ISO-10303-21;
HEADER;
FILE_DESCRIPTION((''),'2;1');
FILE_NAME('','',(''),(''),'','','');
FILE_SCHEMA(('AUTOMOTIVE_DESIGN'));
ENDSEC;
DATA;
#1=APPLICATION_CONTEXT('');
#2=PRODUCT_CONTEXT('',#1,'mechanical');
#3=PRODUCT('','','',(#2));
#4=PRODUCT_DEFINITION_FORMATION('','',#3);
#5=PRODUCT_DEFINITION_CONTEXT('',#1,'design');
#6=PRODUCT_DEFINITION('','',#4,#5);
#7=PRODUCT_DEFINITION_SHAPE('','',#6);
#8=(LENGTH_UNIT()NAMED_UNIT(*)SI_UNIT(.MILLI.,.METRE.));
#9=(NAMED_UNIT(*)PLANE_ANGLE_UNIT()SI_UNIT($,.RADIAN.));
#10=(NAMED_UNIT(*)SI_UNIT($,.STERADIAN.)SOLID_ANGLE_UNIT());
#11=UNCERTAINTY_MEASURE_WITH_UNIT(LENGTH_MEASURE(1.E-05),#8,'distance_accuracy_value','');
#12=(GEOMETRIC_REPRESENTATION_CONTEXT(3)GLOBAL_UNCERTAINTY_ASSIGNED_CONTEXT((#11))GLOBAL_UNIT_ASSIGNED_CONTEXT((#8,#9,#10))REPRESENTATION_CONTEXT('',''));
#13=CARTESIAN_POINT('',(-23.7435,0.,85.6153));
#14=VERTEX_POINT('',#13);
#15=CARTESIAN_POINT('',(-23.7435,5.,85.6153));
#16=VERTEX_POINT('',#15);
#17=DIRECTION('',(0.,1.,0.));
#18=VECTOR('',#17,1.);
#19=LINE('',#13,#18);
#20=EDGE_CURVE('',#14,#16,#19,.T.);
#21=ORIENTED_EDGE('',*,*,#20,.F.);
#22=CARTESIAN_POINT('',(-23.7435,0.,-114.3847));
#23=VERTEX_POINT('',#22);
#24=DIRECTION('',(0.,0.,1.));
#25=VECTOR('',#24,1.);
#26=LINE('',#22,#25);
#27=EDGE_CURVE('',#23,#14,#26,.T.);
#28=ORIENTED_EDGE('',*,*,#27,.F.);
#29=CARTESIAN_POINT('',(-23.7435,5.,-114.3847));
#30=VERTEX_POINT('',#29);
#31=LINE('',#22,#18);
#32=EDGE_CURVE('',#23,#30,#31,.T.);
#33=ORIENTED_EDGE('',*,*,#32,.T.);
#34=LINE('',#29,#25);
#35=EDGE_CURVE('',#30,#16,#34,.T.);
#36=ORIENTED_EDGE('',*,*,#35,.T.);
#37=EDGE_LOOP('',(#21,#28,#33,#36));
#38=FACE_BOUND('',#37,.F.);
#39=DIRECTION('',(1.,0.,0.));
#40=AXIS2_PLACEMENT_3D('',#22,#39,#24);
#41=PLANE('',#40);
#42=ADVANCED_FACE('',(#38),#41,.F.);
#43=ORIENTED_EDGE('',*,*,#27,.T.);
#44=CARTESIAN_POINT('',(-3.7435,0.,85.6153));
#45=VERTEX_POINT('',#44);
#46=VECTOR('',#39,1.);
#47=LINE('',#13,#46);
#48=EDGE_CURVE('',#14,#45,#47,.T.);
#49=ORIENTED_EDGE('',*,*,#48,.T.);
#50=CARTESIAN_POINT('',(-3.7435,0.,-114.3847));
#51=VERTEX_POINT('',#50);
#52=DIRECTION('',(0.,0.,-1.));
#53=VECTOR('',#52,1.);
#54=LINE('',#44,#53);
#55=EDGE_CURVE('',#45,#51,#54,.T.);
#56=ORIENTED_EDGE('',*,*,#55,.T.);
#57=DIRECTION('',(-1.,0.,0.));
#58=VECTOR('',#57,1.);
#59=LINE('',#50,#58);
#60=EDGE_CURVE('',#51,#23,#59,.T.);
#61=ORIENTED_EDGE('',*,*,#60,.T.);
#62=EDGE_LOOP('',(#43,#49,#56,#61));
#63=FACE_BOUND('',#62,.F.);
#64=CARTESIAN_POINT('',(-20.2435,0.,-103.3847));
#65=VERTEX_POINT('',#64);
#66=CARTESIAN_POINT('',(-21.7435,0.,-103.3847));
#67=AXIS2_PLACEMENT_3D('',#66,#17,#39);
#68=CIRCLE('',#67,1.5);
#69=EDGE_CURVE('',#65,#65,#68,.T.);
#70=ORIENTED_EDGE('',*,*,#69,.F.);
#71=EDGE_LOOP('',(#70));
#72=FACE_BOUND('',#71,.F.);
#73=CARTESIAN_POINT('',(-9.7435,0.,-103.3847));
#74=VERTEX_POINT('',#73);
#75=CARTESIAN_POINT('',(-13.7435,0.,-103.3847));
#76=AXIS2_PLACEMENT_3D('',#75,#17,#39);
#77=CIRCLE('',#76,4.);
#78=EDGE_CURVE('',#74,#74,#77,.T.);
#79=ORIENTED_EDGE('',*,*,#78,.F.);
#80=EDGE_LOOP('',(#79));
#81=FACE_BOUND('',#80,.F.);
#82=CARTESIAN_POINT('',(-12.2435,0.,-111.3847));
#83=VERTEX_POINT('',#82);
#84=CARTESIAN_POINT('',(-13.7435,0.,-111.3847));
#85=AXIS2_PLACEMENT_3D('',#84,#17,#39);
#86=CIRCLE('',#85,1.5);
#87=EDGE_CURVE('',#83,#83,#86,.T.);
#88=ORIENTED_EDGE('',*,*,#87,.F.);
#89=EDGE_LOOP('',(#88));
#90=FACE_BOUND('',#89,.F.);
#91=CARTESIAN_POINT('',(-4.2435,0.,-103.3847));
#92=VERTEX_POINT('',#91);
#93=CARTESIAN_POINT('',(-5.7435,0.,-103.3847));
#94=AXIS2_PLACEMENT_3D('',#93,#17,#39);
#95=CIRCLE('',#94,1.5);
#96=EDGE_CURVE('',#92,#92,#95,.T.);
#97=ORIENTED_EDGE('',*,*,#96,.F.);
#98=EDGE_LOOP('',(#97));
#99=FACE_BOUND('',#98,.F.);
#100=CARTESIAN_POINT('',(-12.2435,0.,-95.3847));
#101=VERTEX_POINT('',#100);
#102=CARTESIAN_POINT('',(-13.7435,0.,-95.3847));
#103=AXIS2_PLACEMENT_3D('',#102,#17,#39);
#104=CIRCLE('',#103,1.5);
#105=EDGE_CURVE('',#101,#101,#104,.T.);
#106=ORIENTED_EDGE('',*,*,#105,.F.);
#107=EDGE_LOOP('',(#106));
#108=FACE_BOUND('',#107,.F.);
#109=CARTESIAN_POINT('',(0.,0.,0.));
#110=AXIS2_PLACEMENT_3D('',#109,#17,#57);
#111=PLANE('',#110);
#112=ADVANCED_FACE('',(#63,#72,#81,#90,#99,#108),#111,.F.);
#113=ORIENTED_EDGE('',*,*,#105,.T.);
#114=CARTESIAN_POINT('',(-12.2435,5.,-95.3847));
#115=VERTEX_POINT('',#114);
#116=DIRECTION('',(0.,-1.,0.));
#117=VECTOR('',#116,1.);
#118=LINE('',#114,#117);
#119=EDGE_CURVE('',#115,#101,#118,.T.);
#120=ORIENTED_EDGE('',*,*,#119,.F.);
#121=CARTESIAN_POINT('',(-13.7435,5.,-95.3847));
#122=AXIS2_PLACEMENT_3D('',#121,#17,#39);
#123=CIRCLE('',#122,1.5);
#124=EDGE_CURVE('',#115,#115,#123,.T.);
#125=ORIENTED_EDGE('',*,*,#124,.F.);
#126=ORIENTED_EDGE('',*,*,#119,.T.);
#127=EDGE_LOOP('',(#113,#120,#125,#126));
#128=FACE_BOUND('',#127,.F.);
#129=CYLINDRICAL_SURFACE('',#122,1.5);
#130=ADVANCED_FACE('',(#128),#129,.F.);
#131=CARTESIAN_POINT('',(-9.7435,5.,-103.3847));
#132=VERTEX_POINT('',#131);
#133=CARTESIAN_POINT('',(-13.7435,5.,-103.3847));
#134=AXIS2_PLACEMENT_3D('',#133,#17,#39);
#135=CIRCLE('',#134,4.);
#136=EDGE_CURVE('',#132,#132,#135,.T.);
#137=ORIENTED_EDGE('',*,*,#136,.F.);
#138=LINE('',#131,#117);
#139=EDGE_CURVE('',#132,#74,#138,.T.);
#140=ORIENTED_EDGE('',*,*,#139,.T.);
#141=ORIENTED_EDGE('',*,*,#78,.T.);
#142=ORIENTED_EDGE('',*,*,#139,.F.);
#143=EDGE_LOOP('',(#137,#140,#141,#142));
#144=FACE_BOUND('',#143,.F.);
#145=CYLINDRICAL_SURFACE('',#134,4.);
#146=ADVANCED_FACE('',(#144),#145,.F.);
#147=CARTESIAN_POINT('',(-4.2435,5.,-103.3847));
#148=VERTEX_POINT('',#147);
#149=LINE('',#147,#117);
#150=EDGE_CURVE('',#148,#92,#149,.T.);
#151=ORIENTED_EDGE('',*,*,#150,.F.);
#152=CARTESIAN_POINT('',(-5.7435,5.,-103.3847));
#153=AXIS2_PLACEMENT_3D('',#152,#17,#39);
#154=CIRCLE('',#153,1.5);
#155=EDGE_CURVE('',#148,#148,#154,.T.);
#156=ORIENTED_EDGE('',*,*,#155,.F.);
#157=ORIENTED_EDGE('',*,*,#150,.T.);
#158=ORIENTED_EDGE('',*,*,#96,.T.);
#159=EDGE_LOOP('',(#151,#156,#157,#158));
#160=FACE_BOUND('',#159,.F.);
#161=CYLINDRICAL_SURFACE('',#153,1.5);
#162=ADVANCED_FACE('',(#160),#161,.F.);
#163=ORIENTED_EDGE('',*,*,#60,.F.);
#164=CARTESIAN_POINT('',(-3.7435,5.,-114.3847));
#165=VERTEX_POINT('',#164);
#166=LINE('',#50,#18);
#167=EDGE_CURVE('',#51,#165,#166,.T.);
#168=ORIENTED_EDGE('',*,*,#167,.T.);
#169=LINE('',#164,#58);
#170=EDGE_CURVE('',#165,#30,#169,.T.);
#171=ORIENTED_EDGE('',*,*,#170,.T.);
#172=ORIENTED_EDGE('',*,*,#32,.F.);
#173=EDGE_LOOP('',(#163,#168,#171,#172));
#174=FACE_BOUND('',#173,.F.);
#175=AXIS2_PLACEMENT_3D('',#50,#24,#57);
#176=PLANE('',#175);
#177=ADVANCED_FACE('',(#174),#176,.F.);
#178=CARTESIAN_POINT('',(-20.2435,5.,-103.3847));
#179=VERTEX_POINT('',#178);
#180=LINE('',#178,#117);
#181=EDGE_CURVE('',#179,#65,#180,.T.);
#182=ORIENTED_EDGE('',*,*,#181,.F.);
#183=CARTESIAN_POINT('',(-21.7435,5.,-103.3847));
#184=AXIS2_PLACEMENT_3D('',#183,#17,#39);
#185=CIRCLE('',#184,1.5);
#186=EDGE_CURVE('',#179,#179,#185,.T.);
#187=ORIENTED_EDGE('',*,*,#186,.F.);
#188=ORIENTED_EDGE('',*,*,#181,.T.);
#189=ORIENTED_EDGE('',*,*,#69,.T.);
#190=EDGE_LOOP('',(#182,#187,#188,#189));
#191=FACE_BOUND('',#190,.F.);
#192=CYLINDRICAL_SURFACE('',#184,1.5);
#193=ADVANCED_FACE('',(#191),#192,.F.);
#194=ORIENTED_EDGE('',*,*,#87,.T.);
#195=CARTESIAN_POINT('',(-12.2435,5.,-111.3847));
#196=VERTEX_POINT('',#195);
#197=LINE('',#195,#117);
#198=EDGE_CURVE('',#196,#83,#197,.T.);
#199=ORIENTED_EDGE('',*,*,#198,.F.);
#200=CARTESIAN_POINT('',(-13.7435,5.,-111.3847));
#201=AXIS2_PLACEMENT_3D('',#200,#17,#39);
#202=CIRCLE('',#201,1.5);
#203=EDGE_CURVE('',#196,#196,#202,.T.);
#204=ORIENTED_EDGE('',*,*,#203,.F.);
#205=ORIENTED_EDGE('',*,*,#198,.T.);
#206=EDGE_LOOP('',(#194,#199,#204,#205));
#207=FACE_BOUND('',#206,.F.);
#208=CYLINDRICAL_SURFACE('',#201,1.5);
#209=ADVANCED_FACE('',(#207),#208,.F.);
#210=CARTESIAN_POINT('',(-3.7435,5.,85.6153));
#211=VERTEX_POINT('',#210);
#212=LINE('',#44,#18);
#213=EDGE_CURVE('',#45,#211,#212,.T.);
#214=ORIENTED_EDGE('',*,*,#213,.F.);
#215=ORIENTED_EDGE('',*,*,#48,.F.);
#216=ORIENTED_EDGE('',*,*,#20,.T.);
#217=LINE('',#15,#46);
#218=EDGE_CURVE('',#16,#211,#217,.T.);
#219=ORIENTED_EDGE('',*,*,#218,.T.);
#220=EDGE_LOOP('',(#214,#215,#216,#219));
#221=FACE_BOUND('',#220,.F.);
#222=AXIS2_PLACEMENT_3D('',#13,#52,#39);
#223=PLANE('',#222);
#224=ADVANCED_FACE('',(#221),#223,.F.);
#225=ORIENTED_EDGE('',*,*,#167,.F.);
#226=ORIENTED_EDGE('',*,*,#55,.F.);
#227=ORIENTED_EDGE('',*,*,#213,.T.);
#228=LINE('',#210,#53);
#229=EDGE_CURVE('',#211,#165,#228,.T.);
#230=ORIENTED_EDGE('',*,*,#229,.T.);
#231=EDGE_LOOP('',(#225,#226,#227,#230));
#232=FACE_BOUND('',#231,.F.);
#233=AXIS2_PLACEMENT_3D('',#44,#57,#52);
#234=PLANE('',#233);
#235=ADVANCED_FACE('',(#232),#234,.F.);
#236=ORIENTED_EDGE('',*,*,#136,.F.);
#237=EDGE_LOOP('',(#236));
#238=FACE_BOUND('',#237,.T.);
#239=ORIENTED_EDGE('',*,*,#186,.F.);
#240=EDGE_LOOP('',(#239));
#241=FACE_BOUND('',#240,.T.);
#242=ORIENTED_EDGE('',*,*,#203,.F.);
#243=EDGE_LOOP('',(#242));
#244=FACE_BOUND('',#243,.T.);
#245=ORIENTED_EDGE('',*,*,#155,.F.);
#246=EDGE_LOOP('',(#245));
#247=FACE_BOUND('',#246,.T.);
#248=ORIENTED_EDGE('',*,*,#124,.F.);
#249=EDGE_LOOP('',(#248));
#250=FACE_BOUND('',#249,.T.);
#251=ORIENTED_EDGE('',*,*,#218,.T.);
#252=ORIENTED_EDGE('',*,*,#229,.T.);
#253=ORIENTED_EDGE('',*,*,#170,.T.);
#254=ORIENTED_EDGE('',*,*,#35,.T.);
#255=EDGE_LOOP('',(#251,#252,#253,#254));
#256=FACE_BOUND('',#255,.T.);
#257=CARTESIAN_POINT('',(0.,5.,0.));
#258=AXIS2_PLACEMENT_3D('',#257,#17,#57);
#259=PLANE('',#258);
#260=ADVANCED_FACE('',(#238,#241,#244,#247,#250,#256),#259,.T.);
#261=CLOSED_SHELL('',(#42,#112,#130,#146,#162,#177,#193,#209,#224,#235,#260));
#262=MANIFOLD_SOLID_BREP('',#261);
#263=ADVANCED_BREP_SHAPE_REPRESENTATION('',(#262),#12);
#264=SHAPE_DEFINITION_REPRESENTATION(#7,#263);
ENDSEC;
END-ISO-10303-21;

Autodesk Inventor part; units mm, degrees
ref_plane "YZ Plane" through (0, 0, 0) normal (1, 0, 0) x (0, 1, 0)
ref_plane "XZ Plane" through (0, 0, 0) normal (0, 1, 0) x (-1, 0, 0)
ref_plane "XY Plane" through (0, 0, 0) normal (0, 0, 1) x (1, 0, 0)
sketch "Esquisse1" plane through (0, 0, 0) normal (0, 1, 0) x (-1, 0, 0)
  line L0 (23.7435, 85.6153) -> (3.7435, 85.6153)
  line L1 (3.7435, 85.6153) -> (3.7435, -114.3847)
  line L2 (3.7435, -114.3847) -> (23.7435, -114.3847)
  line L3 (23.7435, -114.3847) -> (23.7435, 85.6153)
  point P0 (0, 0)
  dimension "d0" = 200
  dimension "d1" = 20
extrude "Extrusion1" add sketch "Esquisse1" along normal blind 5
sketch "Esquisse2" plane through (0, 5, 0) normal (0, 1, 0) x (1, 0, 0)
  circle A0 centre (-13.7435, 103.3847) radius 4
  line L0 (-3.7435, 114.3847) -> (-23.7435, 114.3847) projected
  line L1 (-3.7435, -85.6153) -> (-3.7435, 114.3847) projected
  circle A1 centre (-13.7435, 111.3847) radius 1.5
  circle A2 centre (-5.7435, 103.3847) radius 1.5
  circle A3 centre (-21.7435, 103.3847) radius 1.5
  line L2 (-23.7435, 114.3847) -> (-23.7435, -85.6153) projected
  circle A4 centre (-13.7435, 95.3847) radius 1.5
  point P0 (0, 0)
  dimension "d4" = 11
  dimension "d5" = 10
  dimension "d6" = 8
  dimension "d9" = 3
  dimension "d10" = 3
  dimension "d11" = 10
  dimension "d12" = 2
  dimension "d13" = 3
  dimension "d14" = 11
  dimension "d15" = 2
  dimension "d16" = 11
  dimension "d17" = 3
  dimension "d18" = 10
  dimension "d19" = 3
  dimension "d20" = 19
extrude "Extrusion2" cut sketch "Esquisse2" against normal through all
properties part number "bras-lanceur"
